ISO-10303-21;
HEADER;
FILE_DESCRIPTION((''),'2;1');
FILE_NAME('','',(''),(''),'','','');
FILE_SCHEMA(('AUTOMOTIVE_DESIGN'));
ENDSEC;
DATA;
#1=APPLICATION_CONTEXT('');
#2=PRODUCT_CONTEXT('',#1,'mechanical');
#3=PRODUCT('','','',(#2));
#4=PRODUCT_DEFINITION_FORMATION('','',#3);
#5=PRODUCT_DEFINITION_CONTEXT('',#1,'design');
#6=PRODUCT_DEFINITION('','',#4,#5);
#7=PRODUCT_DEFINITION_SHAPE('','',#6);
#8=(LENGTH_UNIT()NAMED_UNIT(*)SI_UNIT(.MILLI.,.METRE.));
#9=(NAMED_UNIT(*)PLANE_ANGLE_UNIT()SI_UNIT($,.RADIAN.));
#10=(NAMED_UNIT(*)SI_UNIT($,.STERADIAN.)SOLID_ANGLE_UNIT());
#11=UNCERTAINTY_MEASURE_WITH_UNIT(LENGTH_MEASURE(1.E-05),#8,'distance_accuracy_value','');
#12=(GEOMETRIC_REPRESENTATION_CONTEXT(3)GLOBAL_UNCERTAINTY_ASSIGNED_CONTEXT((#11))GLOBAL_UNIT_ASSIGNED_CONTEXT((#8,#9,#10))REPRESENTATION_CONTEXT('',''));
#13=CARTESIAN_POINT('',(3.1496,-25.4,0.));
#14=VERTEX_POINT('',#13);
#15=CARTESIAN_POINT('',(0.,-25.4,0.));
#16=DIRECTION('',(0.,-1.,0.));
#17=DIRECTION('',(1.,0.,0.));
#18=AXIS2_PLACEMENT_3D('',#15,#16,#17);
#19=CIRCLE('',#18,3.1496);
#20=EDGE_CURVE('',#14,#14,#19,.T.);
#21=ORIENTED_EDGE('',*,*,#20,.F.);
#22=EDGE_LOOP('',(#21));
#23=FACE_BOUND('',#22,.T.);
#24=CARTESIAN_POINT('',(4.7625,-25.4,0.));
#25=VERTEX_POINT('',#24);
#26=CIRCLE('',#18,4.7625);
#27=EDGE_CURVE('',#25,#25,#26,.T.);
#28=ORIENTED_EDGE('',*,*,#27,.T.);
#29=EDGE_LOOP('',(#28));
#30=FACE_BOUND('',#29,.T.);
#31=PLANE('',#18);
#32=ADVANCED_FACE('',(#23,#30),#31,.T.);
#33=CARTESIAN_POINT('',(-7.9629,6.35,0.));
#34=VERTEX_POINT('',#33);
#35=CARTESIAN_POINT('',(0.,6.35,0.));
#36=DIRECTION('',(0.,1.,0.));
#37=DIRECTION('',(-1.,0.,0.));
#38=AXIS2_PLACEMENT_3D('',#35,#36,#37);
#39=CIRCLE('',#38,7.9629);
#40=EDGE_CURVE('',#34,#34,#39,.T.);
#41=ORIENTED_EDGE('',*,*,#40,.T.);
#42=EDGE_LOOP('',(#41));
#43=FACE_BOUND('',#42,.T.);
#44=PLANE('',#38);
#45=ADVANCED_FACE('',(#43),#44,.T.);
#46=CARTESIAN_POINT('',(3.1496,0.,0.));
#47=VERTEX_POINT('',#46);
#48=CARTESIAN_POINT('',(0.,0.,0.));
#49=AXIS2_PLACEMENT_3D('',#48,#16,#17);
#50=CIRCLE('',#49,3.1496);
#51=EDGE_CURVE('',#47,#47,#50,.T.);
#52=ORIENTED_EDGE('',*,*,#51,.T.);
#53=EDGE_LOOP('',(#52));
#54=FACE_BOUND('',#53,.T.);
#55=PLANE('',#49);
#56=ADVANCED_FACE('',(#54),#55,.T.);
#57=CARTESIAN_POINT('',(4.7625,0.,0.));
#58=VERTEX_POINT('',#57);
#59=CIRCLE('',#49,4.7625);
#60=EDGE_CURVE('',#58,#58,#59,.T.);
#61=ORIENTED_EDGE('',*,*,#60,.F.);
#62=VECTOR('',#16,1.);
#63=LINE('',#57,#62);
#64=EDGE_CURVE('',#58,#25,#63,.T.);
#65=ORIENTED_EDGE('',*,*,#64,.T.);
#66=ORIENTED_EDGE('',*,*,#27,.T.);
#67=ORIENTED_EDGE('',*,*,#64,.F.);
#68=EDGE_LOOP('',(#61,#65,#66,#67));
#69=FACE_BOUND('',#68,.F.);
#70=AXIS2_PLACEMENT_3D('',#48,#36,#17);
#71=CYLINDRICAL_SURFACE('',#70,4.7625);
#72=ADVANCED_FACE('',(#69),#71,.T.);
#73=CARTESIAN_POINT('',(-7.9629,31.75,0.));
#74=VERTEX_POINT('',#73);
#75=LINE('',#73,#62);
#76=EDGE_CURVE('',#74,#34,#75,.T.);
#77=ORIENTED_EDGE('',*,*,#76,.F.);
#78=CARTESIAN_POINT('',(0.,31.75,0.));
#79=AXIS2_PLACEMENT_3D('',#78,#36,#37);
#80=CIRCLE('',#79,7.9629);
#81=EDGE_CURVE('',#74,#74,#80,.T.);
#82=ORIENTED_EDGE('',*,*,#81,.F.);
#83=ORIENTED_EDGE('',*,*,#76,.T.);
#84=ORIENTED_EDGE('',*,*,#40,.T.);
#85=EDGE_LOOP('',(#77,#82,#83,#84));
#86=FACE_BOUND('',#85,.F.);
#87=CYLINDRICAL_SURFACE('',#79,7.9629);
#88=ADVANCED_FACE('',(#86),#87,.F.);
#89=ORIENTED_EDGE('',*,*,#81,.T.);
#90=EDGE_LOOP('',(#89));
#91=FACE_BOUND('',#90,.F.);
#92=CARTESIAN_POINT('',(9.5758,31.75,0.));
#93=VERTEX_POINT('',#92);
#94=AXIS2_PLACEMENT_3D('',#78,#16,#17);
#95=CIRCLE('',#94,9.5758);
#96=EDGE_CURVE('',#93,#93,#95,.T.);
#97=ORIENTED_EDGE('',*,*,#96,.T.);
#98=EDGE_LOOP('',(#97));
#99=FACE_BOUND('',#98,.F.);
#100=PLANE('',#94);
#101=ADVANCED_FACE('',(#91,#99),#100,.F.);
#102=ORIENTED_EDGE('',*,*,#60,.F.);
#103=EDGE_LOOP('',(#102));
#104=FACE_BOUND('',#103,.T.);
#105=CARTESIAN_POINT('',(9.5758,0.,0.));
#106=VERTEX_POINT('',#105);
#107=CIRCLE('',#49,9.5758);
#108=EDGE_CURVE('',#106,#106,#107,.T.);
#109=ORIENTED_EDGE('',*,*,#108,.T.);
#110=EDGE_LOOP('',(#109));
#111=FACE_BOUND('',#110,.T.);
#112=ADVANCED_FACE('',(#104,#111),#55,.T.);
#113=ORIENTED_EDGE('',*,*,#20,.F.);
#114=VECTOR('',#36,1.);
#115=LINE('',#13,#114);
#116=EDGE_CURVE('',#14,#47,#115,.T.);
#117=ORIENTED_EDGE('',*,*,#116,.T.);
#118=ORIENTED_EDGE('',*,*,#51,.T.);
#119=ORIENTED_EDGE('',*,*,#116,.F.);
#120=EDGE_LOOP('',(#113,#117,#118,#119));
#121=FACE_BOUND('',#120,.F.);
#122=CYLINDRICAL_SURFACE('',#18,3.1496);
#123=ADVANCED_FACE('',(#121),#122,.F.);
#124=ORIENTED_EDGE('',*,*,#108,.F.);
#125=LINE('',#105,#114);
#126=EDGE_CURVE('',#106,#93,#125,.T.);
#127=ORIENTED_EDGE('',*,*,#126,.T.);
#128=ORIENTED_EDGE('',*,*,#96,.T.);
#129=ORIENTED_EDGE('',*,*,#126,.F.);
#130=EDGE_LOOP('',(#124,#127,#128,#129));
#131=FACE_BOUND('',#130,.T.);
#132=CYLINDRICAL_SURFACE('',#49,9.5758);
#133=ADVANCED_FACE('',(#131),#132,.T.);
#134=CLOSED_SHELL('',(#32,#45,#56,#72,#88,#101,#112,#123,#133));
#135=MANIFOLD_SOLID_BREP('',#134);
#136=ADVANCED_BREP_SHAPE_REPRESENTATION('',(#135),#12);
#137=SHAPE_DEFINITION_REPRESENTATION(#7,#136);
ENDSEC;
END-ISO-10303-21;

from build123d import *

# Parameters (mm, degrees)
F0_R     = 9.5758
F1_DEPTH = 31.75
F2_R     = 7.9629
F3_DEPTH = 25.4
F4_R     = 4.7625
F5_DEPTH = 25.4
F6_R     = 3.1496
F7_DEPTH = 25.4


with BuildPart() as f1:
    # F0 (on Front) → F1 (new body)
    with BuildSketch(Plane.XZ):
        Circle(F0_R)
    extrude(amount=-F1_DEPTH)

    # F2 (on face) → F3 (cut)
    with BuildSketch(Plane(origin=(0, 31.75, 0), x_dir=(-1, 0, 0), z_dir=(0, 1, 0))):
        Circle(F2_R)
    extrude(amount=-F3_DEPTH, mode=Mode.SUBTRACT)

    # F4 (on face) → F5 (join)
    with BuildSketch(Plane.XZ):
        Circle(F4_R)
    extrude(amount=F5_DEPTH)

    # F6 (on face) → F7 (cut)
    with BuildSketch(Plane.XZ.offset(25.4)):
        Circle(F6_R)
    extrude(amount=-F7_DEPTH, mode=Mode.SUBTRACT)


solid = f1.part
